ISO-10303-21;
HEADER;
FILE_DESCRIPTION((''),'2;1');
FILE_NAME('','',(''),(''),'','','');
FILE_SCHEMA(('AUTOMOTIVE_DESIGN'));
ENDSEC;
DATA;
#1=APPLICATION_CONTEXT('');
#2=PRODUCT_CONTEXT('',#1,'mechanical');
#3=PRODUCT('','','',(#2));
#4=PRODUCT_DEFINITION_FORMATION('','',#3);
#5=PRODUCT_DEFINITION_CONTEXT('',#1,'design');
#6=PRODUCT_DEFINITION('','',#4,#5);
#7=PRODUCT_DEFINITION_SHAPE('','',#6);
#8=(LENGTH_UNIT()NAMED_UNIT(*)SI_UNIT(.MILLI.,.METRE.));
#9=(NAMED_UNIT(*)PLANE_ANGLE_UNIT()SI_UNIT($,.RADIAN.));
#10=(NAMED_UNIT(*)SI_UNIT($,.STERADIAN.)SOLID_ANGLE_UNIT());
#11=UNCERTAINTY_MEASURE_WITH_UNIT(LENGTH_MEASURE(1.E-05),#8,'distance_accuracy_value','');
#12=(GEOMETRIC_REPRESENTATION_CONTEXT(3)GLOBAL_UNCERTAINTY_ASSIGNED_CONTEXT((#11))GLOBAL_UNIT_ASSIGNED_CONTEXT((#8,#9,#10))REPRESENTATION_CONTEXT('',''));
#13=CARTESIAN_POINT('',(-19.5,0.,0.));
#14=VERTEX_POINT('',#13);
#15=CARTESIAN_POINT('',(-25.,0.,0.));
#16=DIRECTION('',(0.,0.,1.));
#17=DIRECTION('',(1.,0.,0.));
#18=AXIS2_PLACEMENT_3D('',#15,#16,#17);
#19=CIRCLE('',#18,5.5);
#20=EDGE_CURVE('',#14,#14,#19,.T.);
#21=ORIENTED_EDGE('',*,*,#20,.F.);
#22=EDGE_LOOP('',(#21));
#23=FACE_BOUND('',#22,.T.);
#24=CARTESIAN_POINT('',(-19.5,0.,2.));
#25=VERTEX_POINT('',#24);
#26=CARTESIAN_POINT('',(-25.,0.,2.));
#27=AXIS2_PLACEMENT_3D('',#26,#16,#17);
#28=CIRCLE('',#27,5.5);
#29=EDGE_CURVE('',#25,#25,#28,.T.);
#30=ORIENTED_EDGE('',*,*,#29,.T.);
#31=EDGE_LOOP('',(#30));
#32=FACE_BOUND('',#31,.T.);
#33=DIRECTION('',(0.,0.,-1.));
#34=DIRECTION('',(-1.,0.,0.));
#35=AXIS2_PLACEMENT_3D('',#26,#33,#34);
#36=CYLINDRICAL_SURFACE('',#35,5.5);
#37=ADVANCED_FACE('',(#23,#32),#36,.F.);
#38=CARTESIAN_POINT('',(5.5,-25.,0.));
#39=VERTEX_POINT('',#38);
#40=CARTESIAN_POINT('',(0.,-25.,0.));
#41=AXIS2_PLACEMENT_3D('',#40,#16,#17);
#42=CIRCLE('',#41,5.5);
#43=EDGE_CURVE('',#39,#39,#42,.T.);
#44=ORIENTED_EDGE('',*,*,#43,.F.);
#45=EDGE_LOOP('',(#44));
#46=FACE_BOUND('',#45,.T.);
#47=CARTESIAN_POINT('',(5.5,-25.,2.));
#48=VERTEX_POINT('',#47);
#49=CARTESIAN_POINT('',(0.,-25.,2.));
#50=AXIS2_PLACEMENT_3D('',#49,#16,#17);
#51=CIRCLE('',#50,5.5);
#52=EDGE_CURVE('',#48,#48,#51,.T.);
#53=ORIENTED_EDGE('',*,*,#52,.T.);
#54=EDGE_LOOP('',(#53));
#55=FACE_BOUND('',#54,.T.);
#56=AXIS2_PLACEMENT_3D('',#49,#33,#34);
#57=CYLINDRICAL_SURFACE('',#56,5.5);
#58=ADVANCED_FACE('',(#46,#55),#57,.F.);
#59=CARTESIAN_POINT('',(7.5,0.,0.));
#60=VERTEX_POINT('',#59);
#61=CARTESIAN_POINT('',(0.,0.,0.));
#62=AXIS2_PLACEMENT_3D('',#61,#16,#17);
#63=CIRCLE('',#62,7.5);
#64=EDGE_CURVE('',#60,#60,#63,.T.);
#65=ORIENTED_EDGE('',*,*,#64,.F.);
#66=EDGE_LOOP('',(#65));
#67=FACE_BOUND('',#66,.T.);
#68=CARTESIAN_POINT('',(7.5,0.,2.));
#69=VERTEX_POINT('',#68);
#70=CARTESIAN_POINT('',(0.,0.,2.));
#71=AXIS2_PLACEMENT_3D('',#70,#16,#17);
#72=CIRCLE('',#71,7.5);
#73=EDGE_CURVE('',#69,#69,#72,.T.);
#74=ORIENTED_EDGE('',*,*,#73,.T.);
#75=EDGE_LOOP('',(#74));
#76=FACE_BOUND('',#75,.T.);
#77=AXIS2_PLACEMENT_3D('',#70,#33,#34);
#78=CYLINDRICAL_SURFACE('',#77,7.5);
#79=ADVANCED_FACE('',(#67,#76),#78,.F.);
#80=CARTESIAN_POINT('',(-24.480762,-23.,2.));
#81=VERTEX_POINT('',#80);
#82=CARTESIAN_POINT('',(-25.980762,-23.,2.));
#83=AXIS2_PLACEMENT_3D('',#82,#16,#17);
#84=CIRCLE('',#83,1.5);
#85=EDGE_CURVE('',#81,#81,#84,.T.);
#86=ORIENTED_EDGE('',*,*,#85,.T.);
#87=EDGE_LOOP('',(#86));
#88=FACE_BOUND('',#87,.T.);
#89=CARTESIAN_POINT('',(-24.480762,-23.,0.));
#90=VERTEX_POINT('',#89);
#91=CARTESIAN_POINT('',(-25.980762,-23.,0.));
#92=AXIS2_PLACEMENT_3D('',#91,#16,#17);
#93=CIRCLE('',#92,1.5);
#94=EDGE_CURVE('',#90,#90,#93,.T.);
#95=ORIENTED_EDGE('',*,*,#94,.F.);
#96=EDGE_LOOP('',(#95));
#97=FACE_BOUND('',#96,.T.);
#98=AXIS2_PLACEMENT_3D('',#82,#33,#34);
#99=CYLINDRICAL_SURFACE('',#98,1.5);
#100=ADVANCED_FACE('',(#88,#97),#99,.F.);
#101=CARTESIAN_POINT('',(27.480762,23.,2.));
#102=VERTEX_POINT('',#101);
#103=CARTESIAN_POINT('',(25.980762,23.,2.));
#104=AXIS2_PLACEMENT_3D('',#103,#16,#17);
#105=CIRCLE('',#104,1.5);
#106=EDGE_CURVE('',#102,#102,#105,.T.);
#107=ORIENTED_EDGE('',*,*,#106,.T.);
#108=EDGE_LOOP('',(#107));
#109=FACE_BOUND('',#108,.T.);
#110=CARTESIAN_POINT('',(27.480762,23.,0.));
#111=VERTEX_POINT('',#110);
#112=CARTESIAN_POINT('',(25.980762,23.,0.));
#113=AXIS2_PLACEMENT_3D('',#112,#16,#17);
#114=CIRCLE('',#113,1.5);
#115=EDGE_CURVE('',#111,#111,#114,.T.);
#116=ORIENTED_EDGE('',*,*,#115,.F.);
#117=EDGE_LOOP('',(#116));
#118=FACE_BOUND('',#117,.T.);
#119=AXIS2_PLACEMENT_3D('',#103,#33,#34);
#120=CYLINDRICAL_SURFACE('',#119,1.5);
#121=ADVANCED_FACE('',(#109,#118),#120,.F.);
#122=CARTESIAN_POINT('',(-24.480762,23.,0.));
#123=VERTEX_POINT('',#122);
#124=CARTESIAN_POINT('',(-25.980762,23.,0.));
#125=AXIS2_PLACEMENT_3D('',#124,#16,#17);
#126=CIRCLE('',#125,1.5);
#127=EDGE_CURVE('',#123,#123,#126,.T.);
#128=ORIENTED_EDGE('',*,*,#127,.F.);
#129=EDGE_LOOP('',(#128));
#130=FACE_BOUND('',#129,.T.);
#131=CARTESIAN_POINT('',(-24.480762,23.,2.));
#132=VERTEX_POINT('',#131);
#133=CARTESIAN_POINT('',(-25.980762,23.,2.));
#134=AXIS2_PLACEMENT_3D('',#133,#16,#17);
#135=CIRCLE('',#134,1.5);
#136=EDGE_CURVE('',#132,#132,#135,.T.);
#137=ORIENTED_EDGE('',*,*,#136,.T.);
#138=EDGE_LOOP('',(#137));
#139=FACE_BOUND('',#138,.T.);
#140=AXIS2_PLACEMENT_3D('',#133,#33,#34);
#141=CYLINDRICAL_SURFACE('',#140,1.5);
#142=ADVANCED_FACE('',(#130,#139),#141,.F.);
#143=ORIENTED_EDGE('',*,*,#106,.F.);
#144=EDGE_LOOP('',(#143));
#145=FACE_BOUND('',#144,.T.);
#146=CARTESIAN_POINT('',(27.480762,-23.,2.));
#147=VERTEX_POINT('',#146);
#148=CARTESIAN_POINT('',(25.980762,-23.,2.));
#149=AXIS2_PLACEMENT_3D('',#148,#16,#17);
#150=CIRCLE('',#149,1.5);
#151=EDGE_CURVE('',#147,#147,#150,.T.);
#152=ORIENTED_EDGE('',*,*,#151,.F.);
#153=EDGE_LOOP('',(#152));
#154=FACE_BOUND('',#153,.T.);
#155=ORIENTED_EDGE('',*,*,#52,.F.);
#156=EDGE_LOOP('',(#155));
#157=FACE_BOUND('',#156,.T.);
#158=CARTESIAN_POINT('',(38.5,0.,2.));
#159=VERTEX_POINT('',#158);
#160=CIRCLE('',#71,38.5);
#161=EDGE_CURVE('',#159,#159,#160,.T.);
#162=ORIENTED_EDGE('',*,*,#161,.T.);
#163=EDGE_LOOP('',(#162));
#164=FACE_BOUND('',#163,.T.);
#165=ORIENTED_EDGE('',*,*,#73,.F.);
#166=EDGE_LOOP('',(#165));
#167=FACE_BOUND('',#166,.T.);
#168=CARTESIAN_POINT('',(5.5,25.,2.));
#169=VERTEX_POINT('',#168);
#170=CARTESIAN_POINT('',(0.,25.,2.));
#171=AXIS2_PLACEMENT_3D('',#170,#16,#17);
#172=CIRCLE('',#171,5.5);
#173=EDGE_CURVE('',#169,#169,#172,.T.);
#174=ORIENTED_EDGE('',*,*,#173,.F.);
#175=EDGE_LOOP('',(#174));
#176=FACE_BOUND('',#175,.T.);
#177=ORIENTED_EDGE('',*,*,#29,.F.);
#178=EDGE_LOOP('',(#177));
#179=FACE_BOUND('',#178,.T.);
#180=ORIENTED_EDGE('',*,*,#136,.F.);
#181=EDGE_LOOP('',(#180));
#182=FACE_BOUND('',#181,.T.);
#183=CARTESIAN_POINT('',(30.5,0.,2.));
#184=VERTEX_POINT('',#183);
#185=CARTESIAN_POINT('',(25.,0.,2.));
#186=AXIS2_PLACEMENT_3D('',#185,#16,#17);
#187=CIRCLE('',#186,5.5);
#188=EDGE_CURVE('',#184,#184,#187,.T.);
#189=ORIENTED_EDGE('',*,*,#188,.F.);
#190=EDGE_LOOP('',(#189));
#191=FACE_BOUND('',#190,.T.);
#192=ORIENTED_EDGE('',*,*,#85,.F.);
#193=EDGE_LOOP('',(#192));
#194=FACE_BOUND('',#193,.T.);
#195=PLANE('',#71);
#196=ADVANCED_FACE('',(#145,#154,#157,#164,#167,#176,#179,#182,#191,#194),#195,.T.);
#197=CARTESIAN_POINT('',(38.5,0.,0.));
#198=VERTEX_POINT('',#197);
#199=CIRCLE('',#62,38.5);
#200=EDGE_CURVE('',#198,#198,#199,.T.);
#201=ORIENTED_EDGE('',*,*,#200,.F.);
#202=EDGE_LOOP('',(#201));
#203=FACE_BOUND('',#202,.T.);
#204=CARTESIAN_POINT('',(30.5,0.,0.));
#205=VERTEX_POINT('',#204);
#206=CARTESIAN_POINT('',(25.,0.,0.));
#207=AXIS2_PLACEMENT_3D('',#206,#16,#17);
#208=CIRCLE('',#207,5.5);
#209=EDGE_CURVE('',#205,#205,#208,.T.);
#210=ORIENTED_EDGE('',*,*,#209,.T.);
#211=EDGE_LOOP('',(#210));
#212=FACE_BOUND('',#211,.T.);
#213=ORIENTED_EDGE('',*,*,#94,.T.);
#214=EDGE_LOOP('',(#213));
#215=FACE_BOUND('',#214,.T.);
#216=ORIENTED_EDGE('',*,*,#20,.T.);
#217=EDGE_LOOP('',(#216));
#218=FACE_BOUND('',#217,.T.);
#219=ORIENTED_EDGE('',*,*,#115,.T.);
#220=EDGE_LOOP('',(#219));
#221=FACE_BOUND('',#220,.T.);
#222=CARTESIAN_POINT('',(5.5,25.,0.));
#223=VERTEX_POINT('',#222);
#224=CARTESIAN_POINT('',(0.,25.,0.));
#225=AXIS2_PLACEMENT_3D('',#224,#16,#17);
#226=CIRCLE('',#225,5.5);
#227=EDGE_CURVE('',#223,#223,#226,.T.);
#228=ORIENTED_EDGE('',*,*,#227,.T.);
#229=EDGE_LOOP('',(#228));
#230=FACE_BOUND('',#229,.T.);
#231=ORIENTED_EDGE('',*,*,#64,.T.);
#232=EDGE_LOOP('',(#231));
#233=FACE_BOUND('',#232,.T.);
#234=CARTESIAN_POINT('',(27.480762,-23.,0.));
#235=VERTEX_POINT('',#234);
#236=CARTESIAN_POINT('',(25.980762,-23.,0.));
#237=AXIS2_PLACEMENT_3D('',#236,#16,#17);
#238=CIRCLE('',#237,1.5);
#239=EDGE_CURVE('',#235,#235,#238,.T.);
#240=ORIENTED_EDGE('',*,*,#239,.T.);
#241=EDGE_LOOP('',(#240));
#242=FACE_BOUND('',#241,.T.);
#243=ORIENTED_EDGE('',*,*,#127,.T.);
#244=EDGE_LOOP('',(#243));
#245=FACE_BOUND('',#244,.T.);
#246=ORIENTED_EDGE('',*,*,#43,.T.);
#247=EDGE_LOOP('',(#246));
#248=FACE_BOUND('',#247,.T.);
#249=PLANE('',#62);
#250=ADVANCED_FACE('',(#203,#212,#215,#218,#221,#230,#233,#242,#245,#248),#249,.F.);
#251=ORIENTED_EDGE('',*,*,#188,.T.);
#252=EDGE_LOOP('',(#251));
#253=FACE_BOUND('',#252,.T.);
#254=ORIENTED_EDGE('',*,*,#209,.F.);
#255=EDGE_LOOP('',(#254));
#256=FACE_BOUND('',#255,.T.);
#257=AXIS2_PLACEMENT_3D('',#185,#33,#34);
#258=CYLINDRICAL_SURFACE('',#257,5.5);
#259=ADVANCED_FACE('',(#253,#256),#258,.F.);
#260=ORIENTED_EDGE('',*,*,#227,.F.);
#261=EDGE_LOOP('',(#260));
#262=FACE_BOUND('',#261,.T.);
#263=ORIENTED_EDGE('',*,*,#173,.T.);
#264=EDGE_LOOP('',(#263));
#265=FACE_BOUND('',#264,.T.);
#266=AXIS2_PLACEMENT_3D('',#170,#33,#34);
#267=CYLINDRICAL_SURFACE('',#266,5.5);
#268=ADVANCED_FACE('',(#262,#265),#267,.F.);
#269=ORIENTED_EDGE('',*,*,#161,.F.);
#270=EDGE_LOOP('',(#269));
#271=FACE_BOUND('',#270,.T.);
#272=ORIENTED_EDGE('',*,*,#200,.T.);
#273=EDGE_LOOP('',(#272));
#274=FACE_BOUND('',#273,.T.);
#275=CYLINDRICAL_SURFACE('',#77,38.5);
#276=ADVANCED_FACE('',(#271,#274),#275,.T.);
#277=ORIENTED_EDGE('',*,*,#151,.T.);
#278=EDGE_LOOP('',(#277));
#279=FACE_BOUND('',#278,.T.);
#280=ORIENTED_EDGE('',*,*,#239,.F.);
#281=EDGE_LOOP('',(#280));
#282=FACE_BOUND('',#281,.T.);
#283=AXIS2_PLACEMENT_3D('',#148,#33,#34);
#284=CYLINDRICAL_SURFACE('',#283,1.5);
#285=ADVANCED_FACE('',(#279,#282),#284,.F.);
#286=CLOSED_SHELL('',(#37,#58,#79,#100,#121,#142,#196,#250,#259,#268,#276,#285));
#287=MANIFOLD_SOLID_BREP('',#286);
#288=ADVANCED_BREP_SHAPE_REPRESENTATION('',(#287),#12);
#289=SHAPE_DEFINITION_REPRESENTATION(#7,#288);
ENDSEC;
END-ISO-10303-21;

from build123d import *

# Parameters (mm, degrees)
MODEL_R             = 38.5
MODEL_R_2           = 5.5
MODEL_R_3           = 7.5
MODEL_R_4           = 1.5
BOSS_EXTRUDE1_DEPTH = 2


with BuildPart() as part:
    # Model → Boss-Extrude1 (new body)
    with BuildSketch(Plane.XY):
        Circle(MODEL_R)
        with Locations((-25, 0)):
            Circle(MODEL_R_2, mode=Mode.SUBTRACT)
        with Locations((0, 25)):
            Circle(MODEL_R_2, mode=Mode.SUBTRACT)
        with Locations((0, -25)):
            Circle(MODEL_R_2, mode=Mode.SUBTRACT)
        with Locations((25, 0)):
            Circle(MODEL_R_2, mode=Mode.SUBTRACT)
        Circle(MODEL_R_3, mode=Mode.SUBTRACT)
        with Locations((25.980762114, -23)):
            Circle(MODEL_R_4, mode=Mode.SUBTRACT)
        with Locations((-25.980762114, -23)):
            Circle(MODEL_R_4, mode=Mode.SUBTRACT)
        with Locations((25.980762114, 23)):
            Circle(MODEL_R_4, mode=Mode.SUBTRACT)
        with Locations((-25.980762114, 23)):
            Circle(MODEL_R_4, mode=Mode.SUBTRACT)
    extrude(amount=BOSS_EXTRUDE1_DEPTH)


solid = part.part
